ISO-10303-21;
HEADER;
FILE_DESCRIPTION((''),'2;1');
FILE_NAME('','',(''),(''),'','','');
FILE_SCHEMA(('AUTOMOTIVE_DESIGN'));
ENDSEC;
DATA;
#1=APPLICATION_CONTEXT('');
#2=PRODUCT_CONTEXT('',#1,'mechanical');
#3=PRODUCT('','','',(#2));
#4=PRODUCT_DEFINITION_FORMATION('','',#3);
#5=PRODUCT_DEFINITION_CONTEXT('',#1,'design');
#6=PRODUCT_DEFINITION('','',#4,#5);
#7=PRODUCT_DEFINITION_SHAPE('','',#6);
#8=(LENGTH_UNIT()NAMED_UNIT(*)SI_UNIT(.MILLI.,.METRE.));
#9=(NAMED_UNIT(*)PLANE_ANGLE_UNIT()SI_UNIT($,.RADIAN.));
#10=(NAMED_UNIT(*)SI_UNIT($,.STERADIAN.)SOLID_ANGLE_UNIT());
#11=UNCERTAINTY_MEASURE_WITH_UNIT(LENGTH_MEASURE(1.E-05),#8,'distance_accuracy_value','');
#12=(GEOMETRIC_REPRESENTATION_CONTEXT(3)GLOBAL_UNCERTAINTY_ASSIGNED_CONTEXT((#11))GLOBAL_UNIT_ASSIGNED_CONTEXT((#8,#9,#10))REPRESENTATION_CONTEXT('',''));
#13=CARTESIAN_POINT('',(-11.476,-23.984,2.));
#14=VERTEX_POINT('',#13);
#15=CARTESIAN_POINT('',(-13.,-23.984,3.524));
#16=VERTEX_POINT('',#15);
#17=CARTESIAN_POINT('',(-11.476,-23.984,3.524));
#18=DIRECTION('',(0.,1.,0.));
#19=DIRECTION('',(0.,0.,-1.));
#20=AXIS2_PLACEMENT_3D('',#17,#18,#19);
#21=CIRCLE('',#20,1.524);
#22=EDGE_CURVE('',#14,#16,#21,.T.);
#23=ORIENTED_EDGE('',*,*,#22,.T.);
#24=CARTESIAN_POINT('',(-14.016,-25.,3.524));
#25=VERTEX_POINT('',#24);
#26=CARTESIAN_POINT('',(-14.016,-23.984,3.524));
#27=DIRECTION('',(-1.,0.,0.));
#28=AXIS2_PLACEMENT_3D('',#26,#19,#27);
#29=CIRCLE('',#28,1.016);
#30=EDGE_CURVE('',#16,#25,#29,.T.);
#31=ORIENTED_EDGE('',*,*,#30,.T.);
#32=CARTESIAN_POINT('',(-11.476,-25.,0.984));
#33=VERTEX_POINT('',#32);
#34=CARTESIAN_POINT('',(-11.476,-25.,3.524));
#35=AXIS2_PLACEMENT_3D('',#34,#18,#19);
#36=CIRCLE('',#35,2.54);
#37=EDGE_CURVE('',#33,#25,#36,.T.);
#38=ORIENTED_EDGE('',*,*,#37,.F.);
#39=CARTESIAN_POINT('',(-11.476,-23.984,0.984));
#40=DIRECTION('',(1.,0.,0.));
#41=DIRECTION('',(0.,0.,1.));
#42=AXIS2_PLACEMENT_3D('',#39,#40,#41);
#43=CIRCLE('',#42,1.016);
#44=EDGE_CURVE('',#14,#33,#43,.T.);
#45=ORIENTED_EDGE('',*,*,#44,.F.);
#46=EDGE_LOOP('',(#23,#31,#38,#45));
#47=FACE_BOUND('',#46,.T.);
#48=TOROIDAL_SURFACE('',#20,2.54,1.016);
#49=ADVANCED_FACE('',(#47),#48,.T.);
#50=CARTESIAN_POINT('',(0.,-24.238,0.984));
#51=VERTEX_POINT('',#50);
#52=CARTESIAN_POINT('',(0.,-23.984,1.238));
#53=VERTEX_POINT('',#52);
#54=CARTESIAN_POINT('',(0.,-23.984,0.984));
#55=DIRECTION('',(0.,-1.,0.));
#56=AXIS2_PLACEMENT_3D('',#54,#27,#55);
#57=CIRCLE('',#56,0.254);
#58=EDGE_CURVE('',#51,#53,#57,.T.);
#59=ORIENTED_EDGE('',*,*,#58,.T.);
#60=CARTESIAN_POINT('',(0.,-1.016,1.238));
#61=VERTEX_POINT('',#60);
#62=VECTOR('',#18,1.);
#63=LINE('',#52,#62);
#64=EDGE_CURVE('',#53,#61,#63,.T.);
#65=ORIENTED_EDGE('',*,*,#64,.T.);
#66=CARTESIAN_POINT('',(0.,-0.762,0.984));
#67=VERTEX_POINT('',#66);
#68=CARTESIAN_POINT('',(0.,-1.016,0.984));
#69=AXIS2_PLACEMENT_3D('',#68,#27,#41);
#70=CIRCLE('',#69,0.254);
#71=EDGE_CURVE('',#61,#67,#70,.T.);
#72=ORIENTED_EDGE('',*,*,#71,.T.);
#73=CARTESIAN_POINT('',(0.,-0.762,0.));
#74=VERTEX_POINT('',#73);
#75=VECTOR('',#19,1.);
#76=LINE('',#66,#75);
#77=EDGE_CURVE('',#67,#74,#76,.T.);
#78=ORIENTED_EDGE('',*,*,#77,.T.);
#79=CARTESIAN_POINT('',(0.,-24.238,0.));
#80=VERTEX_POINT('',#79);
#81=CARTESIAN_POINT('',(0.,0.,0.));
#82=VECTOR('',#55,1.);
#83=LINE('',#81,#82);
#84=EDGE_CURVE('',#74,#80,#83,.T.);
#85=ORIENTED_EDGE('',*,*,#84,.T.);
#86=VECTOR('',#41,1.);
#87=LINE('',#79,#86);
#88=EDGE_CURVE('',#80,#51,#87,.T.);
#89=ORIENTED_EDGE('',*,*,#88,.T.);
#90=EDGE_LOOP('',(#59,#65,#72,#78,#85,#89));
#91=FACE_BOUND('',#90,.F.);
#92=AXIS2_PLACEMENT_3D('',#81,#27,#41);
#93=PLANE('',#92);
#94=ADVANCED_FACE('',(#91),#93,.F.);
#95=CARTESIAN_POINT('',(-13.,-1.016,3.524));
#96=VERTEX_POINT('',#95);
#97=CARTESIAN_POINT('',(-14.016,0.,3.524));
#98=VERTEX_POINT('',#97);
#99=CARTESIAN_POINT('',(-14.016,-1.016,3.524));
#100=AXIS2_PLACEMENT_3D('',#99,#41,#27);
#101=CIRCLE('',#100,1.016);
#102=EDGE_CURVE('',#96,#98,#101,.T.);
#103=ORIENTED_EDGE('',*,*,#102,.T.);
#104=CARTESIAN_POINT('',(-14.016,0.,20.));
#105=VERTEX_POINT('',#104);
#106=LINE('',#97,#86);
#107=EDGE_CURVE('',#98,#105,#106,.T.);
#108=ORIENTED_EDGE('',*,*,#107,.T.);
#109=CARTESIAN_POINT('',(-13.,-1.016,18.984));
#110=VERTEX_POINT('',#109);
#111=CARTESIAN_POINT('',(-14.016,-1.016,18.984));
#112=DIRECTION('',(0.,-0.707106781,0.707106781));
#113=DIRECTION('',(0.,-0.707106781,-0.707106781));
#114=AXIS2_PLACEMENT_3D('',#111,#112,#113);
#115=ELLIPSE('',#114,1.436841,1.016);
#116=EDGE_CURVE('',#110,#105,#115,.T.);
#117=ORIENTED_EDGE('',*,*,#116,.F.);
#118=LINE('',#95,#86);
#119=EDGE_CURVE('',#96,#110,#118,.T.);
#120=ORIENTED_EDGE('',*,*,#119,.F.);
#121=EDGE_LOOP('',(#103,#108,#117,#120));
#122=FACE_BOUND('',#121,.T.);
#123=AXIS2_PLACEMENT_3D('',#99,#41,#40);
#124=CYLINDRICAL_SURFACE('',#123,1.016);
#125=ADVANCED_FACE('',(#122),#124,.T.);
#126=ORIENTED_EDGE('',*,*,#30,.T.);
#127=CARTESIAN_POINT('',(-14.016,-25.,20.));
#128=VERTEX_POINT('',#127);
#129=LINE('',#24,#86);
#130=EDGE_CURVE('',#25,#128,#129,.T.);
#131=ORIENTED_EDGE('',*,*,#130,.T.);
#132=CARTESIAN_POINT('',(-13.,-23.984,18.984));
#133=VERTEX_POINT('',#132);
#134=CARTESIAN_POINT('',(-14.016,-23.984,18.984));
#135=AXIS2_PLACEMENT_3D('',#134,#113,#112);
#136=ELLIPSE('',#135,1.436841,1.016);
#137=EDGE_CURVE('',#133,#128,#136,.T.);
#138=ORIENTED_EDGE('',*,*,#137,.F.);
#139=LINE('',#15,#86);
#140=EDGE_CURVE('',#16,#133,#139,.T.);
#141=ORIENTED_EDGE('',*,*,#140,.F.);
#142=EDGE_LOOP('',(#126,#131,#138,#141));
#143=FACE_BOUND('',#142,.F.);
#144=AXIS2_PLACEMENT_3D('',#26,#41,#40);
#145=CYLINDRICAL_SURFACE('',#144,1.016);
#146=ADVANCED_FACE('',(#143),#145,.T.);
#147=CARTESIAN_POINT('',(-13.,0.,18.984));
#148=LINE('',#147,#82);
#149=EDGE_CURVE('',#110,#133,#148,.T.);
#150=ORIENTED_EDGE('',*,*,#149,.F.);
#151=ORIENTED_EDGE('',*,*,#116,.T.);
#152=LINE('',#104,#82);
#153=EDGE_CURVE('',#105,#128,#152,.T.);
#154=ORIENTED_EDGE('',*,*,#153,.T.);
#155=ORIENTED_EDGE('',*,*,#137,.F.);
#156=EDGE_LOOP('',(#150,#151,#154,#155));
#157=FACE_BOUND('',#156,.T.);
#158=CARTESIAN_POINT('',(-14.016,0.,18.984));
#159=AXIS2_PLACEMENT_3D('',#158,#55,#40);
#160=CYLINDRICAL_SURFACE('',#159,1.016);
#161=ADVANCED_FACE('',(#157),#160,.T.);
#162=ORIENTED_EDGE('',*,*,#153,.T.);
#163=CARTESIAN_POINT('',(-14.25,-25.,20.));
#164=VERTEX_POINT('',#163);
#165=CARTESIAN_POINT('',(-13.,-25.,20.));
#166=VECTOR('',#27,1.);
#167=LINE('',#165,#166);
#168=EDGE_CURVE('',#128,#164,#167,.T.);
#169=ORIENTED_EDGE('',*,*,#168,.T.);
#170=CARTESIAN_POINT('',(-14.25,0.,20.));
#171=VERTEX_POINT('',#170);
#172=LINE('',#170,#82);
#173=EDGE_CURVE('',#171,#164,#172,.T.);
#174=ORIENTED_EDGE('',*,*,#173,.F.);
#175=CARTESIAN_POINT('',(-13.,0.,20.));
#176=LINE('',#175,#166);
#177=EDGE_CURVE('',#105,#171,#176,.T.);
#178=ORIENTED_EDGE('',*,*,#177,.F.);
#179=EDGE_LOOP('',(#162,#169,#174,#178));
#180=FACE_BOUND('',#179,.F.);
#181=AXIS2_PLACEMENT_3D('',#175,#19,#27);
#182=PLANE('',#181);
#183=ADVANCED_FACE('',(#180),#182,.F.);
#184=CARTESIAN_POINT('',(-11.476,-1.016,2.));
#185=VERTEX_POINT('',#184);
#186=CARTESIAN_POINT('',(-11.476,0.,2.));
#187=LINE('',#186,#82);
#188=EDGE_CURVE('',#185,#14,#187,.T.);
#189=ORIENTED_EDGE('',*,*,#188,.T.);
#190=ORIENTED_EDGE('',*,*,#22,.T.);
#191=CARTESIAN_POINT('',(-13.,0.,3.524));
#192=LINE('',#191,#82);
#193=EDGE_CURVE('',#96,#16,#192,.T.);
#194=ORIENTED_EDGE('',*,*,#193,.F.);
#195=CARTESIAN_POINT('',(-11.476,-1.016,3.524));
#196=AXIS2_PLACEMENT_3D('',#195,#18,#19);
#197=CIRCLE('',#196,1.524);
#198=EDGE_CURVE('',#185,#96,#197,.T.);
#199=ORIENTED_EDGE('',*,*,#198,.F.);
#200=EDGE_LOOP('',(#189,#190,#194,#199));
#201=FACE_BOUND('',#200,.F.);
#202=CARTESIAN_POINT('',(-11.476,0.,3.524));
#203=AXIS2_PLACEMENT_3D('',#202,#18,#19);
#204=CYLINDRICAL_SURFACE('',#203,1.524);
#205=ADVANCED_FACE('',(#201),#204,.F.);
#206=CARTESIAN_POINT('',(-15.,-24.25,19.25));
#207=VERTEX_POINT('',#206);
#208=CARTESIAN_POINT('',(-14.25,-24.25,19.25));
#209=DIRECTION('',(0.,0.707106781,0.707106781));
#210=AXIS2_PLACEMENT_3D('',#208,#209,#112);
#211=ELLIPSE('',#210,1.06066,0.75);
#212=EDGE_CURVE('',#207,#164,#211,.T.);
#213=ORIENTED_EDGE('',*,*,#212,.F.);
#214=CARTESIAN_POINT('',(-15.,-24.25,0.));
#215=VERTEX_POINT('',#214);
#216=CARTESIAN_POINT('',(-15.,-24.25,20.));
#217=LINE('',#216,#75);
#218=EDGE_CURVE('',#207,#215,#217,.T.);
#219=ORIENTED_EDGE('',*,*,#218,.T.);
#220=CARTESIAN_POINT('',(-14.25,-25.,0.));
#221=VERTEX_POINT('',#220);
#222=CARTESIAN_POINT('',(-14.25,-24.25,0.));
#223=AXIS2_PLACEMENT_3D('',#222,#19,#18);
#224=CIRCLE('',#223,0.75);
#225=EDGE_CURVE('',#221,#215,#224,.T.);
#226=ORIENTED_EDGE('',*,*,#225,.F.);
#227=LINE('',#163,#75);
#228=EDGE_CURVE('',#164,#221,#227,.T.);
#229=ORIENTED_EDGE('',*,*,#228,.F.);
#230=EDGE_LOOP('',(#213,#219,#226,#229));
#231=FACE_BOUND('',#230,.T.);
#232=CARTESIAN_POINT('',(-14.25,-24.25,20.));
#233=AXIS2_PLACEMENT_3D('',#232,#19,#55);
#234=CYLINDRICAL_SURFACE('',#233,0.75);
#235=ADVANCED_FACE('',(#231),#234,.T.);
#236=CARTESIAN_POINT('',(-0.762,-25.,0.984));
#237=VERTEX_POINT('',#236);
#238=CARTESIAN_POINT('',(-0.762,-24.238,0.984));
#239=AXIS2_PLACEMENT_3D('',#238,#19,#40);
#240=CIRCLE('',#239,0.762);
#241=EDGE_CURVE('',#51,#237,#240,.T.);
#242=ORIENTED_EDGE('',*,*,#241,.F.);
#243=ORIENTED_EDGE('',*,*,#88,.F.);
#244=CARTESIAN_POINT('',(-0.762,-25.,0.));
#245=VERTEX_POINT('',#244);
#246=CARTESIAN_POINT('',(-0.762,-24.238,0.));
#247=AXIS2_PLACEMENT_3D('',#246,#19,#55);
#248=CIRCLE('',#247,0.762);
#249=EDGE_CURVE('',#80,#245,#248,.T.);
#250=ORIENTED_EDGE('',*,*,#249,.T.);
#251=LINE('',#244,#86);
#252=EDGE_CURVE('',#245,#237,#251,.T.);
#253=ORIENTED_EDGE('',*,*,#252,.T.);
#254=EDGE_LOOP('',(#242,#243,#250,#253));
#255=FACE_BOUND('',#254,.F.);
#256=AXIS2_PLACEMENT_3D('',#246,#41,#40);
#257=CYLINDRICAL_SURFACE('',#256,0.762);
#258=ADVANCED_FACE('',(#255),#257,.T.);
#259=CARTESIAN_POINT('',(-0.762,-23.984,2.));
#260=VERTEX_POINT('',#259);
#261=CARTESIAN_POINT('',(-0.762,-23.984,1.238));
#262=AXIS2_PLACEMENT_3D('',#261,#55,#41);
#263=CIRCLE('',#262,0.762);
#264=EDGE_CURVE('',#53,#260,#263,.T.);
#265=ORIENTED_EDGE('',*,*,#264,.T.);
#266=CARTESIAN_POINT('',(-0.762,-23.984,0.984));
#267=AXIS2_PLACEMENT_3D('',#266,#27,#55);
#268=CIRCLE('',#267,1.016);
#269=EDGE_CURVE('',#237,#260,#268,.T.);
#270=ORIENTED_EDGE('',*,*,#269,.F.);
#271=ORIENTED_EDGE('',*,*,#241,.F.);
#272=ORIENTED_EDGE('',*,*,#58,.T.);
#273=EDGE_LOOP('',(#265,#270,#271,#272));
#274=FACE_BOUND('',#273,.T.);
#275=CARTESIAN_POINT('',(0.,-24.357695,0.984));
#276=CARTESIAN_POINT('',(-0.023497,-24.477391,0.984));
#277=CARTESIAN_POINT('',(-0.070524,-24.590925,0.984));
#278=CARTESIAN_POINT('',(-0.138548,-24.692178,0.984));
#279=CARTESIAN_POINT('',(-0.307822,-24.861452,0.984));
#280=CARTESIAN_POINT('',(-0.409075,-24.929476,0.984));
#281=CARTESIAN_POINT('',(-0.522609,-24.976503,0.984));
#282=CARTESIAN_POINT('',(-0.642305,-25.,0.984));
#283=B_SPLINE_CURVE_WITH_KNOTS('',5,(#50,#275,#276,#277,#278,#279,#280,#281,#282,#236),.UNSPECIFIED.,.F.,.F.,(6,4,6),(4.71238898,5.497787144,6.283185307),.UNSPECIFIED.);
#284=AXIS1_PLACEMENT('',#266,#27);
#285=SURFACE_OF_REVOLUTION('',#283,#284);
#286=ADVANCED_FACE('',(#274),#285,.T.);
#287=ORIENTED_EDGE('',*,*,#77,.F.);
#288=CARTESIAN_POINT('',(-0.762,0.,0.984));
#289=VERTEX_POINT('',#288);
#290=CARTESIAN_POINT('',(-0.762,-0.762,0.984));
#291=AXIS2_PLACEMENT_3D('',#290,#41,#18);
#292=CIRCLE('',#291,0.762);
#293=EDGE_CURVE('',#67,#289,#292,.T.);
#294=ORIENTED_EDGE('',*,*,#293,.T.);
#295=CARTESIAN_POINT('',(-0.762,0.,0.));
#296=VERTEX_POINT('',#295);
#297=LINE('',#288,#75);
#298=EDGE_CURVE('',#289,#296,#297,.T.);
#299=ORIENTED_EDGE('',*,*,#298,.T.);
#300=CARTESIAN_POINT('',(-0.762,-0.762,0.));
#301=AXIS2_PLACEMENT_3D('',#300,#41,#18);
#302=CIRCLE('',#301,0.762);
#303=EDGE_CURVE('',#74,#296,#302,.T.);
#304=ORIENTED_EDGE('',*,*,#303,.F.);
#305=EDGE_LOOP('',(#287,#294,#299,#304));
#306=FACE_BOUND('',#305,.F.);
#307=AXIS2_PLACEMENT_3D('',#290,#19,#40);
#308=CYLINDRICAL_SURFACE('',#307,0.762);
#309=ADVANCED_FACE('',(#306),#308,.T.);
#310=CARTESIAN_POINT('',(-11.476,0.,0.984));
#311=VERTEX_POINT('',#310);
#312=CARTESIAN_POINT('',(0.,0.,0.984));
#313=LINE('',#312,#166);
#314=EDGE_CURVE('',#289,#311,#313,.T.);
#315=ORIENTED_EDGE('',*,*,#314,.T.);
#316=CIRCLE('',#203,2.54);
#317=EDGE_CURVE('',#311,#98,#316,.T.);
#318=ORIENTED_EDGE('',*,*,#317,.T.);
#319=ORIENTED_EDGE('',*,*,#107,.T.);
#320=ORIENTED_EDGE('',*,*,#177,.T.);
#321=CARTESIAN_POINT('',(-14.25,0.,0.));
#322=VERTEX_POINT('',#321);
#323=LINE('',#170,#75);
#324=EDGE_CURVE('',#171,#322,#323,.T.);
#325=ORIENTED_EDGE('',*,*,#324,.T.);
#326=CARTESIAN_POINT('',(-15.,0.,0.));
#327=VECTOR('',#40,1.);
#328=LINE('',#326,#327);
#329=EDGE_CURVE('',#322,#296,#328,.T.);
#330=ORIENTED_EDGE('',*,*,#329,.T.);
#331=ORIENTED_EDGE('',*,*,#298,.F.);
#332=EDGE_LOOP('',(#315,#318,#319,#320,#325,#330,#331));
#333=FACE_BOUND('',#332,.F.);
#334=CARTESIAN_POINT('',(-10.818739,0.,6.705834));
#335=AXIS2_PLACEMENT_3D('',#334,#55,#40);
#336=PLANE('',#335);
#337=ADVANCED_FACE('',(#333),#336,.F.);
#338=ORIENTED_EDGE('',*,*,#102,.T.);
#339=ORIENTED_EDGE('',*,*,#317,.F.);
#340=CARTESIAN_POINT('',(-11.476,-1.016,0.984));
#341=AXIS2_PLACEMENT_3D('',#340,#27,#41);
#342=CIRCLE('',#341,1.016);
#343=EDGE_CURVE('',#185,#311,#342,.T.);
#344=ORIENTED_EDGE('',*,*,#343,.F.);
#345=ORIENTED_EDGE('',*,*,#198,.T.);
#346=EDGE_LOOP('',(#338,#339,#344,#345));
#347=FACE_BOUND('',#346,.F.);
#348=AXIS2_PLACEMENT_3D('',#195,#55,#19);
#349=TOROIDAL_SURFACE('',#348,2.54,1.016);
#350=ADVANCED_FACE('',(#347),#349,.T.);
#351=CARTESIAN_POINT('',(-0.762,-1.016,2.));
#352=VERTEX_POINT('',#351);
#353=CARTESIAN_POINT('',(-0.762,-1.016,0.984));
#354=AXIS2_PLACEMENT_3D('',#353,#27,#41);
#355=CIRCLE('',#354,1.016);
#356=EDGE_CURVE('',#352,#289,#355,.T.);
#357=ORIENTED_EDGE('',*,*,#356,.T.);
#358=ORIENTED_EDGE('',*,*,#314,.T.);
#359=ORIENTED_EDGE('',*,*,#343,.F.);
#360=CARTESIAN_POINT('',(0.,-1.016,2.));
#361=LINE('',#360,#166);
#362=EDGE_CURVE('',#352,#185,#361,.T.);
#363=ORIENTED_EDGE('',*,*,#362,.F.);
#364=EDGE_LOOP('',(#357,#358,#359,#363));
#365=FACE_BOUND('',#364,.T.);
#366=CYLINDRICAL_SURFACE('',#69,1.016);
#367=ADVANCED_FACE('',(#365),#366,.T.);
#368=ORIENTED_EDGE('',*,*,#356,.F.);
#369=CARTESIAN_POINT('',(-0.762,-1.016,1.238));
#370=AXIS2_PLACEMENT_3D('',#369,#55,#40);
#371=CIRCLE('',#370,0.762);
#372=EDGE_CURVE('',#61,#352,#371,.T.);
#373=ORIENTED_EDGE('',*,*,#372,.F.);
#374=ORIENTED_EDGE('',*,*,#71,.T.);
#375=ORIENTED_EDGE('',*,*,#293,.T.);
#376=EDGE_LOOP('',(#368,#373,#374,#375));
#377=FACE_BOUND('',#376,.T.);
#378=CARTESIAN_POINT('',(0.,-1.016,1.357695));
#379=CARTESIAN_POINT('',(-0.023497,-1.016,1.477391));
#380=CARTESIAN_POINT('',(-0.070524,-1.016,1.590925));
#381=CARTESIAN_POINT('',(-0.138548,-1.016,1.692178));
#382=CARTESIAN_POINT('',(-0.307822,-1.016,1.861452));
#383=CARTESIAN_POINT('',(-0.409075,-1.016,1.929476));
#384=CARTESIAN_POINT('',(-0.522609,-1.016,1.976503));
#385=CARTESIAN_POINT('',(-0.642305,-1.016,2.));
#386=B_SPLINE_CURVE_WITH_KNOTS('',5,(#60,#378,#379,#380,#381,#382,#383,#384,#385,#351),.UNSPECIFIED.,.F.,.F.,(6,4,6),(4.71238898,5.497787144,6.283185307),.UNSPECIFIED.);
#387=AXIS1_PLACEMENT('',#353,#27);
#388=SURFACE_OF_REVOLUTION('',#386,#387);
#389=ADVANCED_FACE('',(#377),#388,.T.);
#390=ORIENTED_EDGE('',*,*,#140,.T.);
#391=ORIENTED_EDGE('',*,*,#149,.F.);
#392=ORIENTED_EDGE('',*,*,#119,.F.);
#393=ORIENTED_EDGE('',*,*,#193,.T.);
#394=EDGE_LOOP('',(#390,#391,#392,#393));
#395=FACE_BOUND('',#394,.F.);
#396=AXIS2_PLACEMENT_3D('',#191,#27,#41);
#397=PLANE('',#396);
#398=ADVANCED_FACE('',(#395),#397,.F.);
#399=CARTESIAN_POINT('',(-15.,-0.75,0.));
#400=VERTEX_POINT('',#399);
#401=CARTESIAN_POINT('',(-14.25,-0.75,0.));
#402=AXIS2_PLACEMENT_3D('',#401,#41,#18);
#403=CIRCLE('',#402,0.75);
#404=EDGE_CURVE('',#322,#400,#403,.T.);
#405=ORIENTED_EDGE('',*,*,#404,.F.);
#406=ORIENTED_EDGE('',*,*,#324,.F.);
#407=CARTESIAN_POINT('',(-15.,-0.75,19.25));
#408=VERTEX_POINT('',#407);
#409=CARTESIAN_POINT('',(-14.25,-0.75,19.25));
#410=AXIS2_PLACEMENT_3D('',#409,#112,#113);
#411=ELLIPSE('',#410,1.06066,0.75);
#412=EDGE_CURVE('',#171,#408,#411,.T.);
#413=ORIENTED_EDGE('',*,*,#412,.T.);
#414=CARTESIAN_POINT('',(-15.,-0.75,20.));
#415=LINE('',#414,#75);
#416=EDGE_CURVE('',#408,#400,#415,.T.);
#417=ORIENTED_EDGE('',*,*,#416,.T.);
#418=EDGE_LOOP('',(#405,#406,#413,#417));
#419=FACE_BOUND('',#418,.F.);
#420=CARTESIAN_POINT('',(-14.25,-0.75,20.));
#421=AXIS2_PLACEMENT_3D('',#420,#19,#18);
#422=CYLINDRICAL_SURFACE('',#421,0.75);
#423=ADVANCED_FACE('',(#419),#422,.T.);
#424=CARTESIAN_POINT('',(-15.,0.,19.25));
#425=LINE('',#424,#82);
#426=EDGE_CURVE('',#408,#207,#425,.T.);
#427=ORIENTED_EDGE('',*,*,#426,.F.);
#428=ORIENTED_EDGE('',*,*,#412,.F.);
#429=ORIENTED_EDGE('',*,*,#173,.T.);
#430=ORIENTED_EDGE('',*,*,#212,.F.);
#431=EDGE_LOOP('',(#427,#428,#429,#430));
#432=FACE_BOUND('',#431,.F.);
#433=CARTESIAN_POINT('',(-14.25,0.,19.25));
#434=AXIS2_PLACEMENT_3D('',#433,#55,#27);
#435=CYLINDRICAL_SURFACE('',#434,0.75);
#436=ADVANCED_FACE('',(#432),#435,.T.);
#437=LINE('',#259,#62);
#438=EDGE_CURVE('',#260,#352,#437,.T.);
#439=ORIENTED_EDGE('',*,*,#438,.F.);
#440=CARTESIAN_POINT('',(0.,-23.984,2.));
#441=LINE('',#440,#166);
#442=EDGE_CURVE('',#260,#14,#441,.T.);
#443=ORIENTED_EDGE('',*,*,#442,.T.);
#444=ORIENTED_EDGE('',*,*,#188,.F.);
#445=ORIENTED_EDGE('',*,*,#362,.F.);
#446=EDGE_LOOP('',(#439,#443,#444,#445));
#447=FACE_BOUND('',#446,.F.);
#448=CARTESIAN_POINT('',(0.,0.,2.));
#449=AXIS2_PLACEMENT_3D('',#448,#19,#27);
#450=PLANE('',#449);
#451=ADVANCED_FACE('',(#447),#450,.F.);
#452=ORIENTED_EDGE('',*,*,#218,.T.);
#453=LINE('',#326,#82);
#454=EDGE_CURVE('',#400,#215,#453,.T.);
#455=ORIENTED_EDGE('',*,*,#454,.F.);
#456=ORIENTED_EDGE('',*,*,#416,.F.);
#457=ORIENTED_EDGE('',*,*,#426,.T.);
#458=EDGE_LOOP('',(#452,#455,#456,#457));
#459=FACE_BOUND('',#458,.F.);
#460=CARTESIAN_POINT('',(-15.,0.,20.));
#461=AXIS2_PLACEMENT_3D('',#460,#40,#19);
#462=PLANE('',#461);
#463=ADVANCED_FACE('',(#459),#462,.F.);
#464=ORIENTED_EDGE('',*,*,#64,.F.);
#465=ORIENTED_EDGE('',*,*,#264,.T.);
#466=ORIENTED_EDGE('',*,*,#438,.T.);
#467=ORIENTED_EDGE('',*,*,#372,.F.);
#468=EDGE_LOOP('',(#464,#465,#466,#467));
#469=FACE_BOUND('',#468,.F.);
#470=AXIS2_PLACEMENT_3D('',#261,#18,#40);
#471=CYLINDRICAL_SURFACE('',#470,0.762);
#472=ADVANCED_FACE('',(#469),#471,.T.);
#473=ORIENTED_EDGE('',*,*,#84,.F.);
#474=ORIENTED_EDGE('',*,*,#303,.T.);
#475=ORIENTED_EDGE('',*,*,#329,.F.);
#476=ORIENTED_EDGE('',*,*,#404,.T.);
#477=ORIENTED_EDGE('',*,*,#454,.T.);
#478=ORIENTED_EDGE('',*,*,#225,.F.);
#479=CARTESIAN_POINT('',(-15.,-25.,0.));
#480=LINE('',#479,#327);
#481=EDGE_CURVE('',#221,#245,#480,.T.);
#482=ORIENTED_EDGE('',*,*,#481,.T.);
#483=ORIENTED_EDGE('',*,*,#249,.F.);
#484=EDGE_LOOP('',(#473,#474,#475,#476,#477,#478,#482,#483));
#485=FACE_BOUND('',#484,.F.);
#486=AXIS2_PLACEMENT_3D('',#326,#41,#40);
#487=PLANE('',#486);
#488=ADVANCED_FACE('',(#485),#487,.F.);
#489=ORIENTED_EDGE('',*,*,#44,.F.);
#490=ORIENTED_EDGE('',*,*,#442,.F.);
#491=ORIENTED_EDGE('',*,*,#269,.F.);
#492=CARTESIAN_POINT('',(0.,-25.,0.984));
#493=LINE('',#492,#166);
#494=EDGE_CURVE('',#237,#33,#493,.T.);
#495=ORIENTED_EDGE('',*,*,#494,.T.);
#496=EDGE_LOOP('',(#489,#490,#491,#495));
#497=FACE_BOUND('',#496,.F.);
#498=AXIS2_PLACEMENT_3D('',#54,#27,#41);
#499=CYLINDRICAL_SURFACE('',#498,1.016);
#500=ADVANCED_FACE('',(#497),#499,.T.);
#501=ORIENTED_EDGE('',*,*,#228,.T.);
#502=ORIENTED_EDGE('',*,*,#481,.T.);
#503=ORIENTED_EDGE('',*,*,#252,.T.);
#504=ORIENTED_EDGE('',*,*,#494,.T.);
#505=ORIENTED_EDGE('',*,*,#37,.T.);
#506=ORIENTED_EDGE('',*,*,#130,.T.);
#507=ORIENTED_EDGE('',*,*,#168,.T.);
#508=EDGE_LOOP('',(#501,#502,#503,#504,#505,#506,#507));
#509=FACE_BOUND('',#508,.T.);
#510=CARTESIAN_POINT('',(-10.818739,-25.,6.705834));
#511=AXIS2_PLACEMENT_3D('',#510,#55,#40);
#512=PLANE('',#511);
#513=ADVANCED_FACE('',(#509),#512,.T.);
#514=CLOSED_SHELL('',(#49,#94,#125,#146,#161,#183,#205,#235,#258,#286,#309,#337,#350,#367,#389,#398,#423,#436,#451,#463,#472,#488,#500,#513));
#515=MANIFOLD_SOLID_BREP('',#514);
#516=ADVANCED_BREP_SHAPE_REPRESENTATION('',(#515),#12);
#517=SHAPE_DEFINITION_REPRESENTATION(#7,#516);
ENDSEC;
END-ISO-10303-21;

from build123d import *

# Parameters (mm, degrees)
F1_DEPTH = 25
F2_R     = 1.016
F3_R     = 0.75
F4_R     = 0.762


with BuildPart() as f1:
    # F0 (on Front) → F1 (new body)
    with BuildSketch(Plane.XZ):
        with BuildLine():
            Line((-15, 0), (0, 0))
            Line((0, 0), (0, 2))
            Line((0, 2), (-11.476, 2))
            ThreePointArc((-11.476, 2), (-12.5536307345, 2.4463692655), (-13, 3.524))
            Line((-13, 3.524), (-13, 20))
            Line((-13, 20), (-15, 20))
            Line((-15, 20), (-15, 0))
        make_face()
    extrude(amount=F1_DEPTH)

    # F2
    f2_edges = [f1.edges().sort_by_distance(p)[0] for p in [
        (-13, -12.5, 3.524),
        (-13, -12.5, 20),
        (-13, 0, 11.762),
        (-13, -25, 11.762),
    ]]
    fillet(f2_edges, radius=F2_R)

    # F3
    f3_edges = [f1.edges().sort_by_distance(p)[0] for p in [
        (-15, 0, 10),
        (-15, -12.5, 20),
        (-15, -25, 10),
    ]]
    fillet(f3_edges, radius=F3_R)

    # F4
    f4_edges = [f1.edges().sort_by_distance(p)[0] for p in [
        (0, -25, 0.492),
        (0, -24.70242, 1.70242),
        (0, -12.5, 2),
        (0, -0.29758, 1.70242),
        (0, 0, 0.492),
    ]]
    fillet(f4_edges, radius=F4_R)


solid = f1.part
